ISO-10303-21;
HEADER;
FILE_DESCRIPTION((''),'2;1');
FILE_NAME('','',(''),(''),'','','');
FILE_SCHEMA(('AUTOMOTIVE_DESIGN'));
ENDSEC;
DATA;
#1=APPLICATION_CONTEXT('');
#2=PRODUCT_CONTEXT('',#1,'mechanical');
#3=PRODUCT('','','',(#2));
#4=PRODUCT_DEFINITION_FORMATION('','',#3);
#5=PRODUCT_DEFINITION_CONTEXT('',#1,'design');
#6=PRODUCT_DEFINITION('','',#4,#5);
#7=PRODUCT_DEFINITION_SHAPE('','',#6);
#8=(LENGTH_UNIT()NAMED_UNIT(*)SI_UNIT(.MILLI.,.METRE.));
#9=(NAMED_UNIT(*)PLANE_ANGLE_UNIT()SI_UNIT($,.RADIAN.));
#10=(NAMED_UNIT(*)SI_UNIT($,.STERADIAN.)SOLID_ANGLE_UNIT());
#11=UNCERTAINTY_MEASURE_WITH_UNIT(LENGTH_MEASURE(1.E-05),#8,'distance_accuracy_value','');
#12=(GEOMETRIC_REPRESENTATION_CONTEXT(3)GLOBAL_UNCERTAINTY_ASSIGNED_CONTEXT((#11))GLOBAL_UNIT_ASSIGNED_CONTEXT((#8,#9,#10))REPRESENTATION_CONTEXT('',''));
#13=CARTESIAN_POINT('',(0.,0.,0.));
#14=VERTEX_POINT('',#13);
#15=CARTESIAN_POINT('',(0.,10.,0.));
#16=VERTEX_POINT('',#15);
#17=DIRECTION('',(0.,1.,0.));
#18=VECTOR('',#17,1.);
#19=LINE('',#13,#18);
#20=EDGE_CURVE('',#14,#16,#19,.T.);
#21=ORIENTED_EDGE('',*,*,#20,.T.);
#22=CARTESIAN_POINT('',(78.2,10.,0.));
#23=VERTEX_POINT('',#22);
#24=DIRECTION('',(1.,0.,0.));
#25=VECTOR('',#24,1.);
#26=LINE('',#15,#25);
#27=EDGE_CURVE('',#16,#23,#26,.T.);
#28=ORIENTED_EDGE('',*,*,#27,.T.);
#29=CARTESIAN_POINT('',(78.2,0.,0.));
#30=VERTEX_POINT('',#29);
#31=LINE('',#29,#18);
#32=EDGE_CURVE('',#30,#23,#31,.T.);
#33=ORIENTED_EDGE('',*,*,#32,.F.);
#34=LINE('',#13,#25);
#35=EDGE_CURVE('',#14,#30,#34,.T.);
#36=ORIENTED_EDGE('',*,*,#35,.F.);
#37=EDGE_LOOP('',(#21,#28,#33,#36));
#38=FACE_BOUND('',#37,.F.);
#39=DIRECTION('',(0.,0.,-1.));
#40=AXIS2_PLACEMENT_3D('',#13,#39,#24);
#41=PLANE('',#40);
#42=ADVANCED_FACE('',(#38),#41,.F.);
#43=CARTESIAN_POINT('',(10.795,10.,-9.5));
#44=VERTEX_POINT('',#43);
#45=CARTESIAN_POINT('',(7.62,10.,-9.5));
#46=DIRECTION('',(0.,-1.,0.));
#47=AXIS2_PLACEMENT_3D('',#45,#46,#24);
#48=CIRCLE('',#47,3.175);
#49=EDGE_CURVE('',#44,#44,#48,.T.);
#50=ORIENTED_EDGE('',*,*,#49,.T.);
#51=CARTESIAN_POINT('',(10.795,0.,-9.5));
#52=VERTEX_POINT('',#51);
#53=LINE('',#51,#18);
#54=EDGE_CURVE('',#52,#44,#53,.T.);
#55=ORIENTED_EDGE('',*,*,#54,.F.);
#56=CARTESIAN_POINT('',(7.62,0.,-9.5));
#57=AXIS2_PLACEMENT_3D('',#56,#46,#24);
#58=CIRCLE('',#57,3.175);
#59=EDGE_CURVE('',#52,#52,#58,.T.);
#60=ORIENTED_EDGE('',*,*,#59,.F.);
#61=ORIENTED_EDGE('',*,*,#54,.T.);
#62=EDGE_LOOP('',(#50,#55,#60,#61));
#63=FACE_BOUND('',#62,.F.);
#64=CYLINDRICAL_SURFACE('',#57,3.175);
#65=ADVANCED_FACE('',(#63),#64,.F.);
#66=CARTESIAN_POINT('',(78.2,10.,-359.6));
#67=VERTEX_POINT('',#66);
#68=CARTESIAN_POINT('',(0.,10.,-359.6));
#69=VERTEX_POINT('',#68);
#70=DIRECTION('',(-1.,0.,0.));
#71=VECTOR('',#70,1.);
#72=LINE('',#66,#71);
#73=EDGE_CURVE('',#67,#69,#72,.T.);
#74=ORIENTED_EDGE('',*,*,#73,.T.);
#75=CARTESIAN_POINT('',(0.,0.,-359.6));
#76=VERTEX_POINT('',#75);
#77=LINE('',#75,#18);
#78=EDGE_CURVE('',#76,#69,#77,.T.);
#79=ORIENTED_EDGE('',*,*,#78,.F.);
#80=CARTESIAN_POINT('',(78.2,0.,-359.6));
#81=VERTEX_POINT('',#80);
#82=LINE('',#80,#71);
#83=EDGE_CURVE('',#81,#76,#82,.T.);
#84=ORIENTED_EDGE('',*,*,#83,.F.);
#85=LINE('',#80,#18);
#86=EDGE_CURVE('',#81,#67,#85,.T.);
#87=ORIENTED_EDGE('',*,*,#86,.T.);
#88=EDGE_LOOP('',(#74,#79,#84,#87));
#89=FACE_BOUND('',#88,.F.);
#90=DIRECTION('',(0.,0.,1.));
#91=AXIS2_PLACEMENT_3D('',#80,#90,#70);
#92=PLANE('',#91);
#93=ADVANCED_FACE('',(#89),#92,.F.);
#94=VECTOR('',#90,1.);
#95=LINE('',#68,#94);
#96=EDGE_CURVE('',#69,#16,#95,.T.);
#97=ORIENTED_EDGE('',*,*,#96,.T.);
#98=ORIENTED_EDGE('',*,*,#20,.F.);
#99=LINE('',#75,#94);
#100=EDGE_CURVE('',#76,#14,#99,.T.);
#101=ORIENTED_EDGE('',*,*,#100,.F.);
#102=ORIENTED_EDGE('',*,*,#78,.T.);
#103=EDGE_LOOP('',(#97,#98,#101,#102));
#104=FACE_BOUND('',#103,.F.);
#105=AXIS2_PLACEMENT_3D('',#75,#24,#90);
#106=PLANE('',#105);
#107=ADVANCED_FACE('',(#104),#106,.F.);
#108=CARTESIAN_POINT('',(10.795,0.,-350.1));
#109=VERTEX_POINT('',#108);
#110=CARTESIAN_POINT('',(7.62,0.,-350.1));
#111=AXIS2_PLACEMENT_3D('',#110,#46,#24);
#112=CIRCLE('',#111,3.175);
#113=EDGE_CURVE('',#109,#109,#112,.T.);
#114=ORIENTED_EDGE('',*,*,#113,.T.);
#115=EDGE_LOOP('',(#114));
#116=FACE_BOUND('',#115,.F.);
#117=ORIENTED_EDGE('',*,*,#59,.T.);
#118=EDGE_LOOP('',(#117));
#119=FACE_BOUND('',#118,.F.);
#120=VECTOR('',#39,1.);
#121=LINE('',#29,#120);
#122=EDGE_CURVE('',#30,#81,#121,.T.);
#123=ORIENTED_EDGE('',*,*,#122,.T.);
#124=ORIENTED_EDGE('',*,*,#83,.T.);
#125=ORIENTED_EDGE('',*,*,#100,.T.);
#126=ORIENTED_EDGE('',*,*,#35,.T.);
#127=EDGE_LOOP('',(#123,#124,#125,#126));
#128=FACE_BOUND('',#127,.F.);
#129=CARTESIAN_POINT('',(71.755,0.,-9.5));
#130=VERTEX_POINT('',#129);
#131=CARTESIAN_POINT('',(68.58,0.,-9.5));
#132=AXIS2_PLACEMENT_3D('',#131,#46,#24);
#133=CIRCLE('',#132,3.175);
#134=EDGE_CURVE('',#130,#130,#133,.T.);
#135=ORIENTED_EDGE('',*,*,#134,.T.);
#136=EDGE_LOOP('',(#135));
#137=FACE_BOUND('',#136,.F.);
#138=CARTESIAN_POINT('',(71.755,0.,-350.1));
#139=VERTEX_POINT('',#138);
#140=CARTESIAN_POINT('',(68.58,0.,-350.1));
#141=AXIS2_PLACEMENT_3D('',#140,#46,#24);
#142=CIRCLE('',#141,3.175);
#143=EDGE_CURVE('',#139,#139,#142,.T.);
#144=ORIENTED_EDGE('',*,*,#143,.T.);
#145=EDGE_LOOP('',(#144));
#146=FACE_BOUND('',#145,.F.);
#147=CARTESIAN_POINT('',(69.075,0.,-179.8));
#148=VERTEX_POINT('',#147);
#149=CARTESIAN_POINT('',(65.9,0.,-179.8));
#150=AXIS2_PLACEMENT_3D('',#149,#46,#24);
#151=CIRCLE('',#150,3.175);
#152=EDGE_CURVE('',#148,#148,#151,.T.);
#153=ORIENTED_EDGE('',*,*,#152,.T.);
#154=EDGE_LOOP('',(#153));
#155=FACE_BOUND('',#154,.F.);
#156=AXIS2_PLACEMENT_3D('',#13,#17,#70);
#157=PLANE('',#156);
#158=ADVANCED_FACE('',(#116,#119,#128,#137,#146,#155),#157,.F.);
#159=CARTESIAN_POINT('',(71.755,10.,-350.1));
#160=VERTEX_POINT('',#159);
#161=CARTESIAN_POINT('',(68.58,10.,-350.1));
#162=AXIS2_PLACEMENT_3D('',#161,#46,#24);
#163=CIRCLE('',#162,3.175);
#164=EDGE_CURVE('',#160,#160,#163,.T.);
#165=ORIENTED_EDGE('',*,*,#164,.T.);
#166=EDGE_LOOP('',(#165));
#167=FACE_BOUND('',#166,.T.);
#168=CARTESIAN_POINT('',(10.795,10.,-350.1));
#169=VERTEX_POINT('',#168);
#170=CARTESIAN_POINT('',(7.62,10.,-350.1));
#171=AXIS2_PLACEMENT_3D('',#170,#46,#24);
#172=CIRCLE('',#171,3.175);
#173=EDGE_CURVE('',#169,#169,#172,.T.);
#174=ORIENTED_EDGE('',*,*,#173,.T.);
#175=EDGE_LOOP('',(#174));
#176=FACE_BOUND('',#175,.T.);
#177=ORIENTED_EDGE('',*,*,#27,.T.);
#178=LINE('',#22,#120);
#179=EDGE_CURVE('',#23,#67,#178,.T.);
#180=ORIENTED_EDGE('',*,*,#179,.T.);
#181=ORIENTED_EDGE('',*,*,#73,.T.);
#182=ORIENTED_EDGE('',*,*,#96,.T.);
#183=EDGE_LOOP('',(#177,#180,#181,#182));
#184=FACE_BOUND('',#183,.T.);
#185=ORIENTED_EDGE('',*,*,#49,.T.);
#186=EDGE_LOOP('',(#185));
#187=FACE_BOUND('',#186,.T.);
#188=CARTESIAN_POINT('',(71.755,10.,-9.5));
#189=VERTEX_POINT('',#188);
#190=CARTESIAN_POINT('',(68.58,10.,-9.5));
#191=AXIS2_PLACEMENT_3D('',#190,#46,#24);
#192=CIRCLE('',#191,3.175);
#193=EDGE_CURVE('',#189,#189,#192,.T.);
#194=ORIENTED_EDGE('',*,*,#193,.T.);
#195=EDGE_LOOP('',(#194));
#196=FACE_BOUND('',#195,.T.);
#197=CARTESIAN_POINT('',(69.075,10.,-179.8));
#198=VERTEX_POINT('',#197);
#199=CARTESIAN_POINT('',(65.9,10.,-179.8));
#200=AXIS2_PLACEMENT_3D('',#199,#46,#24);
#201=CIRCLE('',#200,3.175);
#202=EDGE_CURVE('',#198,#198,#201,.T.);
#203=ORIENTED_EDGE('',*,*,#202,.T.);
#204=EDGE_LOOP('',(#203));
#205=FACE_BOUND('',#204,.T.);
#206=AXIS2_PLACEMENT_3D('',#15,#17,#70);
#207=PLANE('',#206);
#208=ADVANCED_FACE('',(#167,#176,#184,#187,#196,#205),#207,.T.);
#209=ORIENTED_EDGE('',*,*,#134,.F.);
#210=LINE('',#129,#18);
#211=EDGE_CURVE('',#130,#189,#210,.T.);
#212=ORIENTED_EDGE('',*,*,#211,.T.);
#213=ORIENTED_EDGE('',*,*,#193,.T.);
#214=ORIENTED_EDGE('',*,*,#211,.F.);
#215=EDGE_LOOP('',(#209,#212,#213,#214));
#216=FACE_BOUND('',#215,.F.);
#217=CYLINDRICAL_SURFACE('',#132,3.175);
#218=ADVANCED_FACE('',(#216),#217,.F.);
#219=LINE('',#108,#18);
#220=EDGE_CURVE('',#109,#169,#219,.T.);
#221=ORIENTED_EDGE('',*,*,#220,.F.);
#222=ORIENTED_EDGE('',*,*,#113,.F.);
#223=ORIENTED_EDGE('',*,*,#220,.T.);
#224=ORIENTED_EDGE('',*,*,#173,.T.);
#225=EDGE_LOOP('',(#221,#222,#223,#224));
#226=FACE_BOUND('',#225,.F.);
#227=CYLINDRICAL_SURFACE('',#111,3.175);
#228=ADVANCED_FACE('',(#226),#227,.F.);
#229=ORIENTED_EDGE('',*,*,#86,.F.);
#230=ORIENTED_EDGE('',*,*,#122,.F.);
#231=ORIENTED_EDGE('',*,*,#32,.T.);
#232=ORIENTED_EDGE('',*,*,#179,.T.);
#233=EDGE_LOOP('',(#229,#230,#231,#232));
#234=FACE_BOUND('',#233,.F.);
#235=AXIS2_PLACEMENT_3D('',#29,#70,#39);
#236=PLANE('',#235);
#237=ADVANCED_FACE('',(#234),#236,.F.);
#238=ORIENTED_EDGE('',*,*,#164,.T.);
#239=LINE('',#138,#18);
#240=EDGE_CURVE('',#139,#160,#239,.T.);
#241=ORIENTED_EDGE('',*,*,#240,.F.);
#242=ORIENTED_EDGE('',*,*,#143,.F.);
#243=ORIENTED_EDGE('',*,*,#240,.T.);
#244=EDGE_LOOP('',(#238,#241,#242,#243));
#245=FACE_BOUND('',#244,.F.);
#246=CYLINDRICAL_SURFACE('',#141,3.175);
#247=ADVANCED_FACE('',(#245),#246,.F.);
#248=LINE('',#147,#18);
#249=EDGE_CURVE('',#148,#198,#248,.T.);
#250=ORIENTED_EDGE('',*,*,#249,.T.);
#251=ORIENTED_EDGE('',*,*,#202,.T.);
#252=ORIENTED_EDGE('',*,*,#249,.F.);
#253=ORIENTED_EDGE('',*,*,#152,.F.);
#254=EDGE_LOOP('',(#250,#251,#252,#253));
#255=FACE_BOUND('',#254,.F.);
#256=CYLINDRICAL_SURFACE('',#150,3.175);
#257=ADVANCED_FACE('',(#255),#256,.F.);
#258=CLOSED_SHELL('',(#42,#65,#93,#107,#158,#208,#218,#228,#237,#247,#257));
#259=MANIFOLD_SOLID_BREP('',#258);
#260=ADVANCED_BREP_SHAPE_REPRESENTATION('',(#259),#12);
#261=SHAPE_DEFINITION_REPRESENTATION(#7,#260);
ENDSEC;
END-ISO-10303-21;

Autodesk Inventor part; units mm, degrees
ref_plane "YZ Plane" through (0, 0, 0) normal (1, 0, 0) x (0, 1, 0)
ref_plane "XZ Plane" through (0, 0, 0) normal (0, 1, 0) x (-1, 0, 0)
ref_plane "XY Plane" through (0, 0, 0) normal (0, 0, 1) x (1, 0, 0)
sketch "Sketch1" plane through (0, 0, 0) normal (0, 1, 0) x (-1, 0, 0)
  line L0 (0, 0) -> (-78.2, 0)
  line L1 (-78.2, 0) -> (-78.2, -359.6)
  line L2 (-78.2, -359.6) -> (0, -359.6)
  line L3 (0, -359.6) -> (0, 0)
  dimension "d0" = 78.2
  dimension "d1" = 359.6
extrude "Extrusion1" add sketch "Sketch1" along normal blind 10
sketch "Sketch2" plane through (0, 0, 0) normal (0, -1, 0) x (1, 0, 0)
  circle A0 centre (7.62, -350.1) radius 3.175
  circle A1 centre (68.58, -350.1) radius 3.175
  circle A2 centre (7.62, -9.5) radius 3.175
  circle A3 centre (68.58, -9.5) radius 3.175
extrude "Extrusion2" cut sketch "Sketch2" against normal blind 25.4
sketch "Sketch3" plane through (0, 0, 0) normal (0, -1, 0) x (1, 0, 0)
  circle A0 centre (65.9, -179.8) radius 3.175
  dimension "d8" = 6.35
extrude "Extrusion3" cut sketch "Sketch3" against normal blind 25.4
properties part number "Top Plate" material "Aluminum 6061"
